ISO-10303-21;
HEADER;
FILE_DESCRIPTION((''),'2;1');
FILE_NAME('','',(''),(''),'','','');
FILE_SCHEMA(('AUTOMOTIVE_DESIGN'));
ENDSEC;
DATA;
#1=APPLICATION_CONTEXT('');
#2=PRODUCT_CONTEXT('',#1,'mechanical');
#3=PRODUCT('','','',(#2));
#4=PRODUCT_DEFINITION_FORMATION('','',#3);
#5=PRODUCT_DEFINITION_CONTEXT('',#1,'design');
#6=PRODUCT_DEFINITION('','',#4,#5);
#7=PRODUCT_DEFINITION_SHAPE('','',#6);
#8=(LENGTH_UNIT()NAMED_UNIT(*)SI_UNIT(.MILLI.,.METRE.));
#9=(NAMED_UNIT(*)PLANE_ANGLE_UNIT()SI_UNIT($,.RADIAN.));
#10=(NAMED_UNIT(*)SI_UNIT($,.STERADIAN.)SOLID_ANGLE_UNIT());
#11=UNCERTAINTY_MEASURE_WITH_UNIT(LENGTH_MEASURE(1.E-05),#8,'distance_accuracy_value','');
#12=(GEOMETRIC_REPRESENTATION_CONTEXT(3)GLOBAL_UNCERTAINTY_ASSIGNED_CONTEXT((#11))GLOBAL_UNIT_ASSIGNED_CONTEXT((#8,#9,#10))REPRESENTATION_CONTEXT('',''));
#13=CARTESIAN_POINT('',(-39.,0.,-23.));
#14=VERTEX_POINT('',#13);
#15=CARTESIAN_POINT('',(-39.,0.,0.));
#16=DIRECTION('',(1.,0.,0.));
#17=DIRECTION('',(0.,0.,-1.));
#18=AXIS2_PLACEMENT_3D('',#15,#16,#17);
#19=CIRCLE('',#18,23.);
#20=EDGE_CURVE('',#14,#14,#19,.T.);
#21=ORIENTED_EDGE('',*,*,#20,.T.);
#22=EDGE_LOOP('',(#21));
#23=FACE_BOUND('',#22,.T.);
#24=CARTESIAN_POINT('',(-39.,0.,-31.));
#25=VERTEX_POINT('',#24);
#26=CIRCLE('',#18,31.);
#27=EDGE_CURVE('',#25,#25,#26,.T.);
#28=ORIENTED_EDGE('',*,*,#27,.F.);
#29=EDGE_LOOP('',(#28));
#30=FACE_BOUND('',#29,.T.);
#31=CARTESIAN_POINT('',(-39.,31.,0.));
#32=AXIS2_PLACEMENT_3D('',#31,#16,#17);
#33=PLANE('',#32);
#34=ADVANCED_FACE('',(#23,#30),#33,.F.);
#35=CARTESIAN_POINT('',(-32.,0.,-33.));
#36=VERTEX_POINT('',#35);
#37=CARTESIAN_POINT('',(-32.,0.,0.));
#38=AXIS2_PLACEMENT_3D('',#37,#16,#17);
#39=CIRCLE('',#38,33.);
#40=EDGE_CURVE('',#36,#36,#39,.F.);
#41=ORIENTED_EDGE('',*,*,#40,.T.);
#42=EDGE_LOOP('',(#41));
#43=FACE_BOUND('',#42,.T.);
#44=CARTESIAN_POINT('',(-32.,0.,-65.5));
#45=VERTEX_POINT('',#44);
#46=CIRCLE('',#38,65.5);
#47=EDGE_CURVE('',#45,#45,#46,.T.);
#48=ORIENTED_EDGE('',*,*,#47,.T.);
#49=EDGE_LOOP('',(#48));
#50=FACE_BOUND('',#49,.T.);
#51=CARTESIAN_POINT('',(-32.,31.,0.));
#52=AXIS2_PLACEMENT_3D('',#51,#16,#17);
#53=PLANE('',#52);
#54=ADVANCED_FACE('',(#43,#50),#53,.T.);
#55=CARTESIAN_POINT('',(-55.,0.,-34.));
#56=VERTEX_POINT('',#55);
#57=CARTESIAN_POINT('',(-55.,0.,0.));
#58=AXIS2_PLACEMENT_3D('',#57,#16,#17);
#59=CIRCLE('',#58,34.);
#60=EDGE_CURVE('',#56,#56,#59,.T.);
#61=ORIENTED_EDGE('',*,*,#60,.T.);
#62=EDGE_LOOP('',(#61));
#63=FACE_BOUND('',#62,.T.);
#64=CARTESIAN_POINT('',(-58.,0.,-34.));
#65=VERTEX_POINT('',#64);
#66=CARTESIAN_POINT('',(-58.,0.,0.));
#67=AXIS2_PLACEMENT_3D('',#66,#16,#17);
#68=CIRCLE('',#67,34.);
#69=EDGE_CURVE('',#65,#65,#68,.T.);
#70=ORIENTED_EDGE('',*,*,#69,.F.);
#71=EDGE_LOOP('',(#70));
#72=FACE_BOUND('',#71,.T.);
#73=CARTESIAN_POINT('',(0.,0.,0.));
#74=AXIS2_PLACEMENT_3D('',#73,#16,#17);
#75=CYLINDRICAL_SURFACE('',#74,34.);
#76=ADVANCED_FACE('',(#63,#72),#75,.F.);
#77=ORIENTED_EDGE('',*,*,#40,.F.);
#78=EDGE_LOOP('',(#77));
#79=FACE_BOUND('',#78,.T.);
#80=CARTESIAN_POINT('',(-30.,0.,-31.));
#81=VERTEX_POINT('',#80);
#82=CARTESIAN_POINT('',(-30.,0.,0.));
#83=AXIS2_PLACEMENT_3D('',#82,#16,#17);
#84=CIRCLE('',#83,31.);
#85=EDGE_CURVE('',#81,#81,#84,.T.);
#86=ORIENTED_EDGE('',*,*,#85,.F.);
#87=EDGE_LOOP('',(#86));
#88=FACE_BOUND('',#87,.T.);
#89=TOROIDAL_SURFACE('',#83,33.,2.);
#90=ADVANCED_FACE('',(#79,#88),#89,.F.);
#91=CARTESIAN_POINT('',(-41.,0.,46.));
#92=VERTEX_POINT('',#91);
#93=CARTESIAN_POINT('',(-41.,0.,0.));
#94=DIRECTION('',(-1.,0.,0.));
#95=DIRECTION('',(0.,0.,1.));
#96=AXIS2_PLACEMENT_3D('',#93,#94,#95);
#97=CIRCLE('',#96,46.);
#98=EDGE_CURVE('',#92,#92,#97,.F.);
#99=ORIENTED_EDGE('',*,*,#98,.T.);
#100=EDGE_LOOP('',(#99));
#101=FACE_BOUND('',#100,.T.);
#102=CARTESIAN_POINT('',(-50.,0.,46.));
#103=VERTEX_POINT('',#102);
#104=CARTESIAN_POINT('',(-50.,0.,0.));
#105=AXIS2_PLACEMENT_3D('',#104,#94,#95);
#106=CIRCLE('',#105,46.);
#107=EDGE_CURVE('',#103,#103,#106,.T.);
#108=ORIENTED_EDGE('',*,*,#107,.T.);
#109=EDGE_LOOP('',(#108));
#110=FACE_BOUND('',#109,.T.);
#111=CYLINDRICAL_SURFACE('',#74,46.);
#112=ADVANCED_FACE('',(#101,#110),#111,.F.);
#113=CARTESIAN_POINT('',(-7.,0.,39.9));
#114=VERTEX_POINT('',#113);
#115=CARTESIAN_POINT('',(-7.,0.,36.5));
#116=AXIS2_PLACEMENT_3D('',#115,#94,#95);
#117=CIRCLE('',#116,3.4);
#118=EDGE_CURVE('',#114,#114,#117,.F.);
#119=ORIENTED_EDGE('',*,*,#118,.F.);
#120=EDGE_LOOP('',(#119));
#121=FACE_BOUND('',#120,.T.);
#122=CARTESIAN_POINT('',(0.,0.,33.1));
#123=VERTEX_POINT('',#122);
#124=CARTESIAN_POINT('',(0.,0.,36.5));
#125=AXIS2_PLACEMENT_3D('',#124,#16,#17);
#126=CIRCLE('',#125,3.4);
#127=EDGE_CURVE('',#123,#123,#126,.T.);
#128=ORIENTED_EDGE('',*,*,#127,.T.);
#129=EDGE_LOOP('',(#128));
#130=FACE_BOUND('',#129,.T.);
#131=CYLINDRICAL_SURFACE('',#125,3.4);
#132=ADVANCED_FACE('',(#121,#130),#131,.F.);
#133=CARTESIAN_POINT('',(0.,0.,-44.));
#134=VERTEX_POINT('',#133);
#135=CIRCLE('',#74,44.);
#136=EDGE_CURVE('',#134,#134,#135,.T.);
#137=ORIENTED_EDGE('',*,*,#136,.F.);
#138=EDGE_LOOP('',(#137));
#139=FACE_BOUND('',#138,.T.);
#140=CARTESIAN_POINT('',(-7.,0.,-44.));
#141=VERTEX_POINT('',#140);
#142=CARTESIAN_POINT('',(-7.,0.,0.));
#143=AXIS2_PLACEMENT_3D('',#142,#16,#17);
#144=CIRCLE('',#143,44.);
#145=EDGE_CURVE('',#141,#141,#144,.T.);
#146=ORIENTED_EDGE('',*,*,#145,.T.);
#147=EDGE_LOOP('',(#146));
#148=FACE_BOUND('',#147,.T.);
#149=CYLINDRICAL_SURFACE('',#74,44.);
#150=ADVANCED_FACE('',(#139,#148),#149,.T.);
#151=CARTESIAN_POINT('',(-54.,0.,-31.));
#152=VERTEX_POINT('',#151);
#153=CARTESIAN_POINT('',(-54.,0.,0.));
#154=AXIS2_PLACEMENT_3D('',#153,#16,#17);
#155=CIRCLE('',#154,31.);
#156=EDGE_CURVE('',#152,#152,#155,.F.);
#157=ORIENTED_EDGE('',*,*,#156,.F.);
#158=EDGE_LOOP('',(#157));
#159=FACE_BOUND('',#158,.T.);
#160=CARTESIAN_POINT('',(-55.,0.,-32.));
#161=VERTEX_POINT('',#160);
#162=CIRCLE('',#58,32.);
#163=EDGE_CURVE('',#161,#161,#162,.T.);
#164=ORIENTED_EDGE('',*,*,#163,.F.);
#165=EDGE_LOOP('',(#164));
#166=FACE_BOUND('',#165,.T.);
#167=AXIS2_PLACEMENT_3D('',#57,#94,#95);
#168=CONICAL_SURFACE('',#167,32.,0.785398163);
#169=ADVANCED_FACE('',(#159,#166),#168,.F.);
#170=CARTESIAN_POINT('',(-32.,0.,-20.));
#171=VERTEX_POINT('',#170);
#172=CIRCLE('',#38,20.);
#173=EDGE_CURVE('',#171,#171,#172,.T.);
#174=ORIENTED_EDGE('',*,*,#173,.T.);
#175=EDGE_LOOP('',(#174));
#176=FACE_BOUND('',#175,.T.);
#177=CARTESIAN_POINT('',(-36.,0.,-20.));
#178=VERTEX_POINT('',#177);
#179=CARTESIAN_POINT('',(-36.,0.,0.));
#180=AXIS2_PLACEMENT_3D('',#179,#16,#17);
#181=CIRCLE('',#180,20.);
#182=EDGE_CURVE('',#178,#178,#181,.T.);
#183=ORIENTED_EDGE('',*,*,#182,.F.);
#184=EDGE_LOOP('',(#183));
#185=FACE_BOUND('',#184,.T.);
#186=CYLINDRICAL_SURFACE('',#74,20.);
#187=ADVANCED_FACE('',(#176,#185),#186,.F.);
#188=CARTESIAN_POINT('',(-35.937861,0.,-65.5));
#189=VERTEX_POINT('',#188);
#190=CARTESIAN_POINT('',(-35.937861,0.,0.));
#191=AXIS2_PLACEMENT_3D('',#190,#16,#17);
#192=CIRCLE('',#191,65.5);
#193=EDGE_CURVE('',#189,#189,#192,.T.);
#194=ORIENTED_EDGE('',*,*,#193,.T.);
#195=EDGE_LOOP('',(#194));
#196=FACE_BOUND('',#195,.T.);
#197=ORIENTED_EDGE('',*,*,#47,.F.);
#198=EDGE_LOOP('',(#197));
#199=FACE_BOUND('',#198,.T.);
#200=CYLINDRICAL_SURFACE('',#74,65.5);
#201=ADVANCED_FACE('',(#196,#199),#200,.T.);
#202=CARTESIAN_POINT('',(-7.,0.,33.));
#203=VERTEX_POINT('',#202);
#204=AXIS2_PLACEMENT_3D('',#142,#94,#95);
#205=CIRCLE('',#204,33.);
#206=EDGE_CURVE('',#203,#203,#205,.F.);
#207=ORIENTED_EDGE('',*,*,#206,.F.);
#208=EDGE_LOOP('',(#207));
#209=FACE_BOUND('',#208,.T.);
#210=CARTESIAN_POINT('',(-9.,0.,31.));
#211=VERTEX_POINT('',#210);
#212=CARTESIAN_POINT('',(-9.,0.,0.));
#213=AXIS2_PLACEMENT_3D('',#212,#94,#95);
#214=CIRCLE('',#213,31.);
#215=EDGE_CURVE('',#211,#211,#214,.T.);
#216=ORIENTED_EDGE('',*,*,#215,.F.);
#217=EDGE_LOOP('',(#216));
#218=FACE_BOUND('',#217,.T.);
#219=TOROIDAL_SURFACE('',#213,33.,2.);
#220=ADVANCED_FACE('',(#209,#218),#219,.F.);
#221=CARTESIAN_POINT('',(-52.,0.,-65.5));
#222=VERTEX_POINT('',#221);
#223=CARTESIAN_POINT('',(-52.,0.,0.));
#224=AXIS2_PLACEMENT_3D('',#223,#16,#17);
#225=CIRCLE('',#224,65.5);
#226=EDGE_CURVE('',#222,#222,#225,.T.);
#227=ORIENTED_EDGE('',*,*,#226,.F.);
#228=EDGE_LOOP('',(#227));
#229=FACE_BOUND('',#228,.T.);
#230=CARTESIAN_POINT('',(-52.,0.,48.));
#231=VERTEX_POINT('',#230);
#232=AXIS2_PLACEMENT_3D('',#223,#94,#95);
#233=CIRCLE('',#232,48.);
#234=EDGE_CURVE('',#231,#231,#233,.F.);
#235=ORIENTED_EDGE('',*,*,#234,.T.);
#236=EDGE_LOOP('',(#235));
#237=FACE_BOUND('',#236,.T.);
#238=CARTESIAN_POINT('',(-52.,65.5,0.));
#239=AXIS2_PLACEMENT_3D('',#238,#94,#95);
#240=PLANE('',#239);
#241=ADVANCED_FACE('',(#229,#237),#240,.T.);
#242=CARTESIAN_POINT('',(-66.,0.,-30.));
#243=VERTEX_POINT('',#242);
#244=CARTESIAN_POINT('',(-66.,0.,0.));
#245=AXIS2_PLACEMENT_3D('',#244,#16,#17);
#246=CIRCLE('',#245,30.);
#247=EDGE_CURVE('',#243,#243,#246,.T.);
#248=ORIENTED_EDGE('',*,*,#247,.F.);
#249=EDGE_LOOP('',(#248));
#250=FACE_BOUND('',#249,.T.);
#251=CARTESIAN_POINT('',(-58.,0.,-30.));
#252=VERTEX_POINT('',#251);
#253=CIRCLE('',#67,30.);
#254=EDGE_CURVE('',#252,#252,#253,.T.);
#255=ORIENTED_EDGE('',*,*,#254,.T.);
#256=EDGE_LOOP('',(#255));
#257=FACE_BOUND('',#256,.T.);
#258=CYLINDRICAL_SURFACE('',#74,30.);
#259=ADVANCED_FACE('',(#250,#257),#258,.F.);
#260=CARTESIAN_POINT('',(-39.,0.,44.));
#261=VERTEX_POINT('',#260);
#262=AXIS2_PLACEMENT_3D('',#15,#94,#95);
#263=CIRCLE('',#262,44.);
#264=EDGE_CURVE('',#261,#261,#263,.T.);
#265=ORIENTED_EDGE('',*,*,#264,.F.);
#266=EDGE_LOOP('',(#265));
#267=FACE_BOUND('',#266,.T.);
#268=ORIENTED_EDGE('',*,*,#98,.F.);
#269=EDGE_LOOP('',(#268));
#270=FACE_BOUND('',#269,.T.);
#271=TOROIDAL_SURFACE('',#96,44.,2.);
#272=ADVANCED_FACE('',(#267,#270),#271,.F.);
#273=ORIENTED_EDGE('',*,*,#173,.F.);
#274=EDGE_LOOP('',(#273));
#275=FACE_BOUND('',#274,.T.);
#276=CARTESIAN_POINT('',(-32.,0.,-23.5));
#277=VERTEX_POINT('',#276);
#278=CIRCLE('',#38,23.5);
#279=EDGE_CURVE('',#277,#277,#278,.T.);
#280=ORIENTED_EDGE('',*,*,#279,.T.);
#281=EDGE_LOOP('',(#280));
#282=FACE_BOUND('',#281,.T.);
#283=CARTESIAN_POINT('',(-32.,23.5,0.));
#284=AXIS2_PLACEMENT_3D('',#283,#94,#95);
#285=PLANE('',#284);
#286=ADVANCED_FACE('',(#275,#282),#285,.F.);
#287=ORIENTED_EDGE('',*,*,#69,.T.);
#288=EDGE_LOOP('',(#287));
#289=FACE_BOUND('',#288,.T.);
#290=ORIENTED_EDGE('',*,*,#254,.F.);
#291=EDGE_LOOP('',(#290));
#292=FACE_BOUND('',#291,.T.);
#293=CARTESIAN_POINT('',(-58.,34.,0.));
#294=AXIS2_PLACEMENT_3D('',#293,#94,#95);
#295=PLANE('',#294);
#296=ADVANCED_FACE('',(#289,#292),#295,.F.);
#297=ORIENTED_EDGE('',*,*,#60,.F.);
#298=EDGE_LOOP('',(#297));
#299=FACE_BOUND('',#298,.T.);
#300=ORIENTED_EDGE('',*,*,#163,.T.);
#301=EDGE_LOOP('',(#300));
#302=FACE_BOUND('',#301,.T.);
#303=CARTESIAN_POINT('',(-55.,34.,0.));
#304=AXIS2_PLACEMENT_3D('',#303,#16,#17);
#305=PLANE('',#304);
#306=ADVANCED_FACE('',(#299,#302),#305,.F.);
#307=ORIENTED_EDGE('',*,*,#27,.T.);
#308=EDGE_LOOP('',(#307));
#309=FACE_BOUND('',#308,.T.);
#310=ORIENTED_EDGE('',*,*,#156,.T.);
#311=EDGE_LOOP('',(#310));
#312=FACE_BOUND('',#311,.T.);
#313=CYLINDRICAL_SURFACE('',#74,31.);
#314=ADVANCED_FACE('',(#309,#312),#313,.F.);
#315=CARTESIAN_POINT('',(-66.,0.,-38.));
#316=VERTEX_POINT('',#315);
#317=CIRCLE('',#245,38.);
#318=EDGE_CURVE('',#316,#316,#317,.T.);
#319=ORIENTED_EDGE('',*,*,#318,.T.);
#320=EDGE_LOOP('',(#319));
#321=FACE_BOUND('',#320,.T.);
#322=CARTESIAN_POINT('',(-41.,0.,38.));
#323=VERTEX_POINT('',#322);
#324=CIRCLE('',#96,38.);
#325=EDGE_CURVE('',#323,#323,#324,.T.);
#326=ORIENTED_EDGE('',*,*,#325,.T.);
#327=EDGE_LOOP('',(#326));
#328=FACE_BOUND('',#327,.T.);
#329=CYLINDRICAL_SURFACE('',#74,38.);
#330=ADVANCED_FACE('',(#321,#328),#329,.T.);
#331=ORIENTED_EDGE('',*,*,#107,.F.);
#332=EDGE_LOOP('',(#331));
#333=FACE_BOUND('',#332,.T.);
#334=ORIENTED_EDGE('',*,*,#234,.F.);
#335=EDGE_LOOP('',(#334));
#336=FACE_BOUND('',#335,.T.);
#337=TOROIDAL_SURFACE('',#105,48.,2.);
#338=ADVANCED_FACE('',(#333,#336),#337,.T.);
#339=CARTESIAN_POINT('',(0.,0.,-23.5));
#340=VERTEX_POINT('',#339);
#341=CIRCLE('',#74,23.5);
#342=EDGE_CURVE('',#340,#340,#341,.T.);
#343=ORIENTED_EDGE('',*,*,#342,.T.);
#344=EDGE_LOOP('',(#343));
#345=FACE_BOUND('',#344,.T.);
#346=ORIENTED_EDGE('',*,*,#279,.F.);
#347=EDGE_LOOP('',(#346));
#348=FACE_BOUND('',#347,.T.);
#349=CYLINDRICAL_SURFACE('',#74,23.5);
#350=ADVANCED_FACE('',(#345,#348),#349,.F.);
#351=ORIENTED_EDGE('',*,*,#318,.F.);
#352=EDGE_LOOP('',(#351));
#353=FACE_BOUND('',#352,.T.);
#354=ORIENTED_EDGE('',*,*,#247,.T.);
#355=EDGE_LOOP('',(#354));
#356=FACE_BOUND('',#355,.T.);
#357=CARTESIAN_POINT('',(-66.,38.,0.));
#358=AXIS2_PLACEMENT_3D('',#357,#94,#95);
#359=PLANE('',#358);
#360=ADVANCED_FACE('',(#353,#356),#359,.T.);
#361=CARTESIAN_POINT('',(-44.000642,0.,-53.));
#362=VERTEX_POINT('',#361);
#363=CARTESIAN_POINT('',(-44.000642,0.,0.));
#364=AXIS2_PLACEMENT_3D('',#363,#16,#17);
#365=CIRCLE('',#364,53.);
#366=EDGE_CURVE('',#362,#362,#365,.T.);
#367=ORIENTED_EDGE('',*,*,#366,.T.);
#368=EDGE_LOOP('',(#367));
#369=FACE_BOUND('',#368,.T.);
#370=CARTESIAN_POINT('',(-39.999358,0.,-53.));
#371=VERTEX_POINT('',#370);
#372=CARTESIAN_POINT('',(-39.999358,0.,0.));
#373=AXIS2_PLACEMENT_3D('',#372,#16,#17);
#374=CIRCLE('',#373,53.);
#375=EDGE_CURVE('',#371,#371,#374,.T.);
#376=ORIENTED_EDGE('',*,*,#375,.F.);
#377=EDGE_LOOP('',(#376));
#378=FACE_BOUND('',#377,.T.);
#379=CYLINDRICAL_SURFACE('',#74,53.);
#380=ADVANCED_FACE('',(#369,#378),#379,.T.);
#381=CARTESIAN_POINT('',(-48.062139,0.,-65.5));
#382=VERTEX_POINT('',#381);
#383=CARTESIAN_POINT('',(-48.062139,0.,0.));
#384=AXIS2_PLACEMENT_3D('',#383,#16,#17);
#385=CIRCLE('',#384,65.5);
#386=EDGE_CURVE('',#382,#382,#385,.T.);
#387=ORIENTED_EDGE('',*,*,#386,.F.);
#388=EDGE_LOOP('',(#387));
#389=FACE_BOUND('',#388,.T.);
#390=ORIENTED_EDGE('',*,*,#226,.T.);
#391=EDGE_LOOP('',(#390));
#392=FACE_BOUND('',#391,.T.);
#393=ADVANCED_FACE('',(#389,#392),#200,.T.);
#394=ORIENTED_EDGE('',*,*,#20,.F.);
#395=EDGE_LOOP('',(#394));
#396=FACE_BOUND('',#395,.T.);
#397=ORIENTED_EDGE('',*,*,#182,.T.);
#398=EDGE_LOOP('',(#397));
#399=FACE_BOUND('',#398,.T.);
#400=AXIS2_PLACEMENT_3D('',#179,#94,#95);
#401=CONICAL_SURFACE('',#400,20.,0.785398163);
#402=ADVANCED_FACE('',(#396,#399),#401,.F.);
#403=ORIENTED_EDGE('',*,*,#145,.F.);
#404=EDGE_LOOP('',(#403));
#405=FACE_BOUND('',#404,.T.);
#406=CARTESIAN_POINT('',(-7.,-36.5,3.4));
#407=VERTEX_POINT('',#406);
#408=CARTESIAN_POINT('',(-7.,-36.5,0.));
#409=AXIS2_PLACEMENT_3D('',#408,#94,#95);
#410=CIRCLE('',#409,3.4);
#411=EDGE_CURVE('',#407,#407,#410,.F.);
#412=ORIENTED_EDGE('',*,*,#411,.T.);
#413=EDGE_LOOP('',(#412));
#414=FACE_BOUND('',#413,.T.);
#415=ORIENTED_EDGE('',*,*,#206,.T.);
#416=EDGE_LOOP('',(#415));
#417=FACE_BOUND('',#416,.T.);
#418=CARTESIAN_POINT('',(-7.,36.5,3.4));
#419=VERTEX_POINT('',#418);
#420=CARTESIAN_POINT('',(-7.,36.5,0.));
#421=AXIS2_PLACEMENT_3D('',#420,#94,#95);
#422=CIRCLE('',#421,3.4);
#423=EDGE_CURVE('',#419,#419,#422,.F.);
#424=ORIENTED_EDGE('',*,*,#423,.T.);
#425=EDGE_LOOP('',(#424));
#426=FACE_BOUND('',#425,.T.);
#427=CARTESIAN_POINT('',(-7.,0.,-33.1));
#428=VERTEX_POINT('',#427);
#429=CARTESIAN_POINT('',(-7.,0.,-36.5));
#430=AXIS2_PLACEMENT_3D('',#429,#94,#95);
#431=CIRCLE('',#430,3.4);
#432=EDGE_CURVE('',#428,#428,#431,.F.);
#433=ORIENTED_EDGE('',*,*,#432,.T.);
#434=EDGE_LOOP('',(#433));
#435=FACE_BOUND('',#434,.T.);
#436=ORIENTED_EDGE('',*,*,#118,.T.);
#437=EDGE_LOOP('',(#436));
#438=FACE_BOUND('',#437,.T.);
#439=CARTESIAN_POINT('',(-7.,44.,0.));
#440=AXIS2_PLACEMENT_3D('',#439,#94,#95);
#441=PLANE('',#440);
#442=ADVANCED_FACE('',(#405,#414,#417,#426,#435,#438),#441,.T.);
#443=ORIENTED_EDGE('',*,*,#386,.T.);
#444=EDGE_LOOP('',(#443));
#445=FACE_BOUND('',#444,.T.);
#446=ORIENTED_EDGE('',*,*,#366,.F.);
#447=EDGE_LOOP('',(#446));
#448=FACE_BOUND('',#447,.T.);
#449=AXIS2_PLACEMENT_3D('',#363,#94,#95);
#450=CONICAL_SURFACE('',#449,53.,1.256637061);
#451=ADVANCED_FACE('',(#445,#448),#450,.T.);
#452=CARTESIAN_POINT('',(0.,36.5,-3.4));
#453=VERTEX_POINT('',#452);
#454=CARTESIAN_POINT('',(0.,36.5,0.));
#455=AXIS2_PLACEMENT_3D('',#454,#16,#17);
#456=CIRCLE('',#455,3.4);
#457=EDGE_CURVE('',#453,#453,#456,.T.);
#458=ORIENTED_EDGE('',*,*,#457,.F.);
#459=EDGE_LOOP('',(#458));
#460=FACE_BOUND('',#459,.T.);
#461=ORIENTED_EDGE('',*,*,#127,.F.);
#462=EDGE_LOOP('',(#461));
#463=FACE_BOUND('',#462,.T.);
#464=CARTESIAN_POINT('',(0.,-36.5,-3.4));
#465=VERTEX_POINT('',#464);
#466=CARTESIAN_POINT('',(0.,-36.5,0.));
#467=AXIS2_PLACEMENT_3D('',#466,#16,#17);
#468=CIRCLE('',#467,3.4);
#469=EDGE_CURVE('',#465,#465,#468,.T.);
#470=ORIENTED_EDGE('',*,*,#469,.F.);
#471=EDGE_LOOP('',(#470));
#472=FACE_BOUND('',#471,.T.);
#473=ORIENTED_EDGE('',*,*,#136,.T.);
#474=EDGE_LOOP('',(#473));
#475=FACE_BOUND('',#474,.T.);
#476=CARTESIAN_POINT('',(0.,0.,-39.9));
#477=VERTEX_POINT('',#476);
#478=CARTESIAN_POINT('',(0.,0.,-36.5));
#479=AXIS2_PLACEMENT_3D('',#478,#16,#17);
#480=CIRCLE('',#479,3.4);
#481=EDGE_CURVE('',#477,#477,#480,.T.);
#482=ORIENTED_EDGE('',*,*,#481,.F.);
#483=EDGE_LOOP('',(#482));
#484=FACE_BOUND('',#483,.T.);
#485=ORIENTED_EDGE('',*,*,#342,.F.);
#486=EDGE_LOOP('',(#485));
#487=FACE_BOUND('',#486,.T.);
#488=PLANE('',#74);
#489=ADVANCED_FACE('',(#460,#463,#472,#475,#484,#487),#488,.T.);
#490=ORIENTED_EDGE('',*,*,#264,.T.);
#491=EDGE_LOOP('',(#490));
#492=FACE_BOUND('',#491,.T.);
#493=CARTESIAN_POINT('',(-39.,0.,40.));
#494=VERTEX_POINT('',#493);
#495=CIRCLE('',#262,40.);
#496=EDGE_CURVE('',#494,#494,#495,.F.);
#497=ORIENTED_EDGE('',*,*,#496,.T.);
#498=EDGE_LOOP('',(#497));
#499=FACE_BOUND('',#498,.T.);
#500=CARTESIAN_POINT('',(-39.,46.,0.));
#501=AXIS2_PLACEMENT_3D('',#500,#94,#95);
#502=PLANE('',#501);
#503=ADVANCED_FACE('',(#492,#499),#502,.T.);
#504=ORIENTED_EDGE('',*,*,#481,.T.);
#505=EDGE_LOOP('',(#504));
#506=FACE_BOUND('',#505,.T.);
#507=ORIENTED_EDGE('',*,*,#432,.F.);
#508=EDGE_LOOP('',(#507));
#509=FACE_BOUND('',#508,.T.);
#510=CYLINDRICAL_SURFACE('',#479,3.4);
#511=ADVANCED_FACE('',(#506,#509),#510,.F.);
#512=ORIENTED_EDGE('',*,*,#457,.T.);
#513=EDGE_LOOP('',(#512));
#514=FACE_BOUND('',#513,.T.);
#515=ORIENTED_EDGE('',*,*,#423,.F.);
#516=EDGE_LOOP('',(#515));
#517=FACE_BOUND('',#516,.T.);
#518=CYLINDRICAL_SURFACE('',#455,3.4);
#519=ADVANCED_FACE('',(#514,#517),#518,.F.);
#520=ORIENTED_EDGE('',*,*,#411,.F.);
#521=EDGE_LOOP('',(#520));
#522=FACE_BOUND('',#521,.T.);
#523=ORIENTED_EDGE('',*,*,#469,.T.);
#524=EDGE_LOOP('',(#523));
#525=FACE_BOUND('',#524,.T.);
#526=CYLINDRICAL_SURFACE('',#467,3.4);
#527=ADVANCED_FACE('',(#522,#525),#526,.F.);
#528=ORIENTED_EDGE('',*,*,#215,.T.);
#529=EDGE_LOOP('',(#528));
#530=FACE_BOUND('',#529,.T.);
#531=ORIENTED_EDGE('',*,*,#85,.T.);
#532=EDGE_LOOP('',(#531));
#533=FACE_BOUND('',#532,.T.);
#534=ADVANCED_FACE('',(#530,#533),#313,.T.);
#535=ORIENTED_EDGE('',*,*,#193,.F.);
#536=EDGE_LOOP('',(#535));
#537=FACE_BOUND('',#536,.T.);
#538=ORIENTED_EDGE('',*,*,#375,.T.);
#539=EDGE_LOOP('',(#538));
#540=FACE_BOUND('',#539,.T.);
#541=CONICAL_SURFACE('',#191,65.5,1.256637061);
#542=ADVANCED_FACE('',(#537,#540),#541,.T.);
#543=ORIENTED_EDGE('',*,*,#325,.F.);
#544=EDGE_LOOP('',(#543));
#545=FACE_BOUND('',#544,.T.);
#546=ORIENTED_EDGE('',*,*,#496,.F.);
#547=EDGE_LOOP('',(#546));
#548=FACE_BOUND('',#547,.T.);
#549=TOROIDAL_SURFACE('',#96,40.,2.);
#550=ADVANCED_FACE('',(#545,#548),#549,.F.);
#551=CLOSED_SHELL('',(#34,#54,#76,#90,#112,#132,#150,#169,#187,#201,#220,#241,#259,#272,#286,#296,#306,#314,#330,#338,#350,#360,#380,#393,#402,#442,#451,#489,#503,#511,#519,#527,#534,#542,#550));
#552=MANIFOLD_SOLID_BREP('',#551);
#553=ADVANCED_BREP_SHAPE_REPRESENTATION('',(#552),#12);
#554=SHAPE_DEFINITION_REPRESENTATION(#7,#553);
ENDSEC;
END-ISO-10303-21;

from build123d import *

# Parameters (mm, degrees)
CHAMFER1_SIZE     = 1
FILLET1_R         = 2
CIRPATTERN1_COUNT = 4


with BuildPart() as part:
    # Sketch1 → Revolve1 (revolve)
    with BuildSketch(Plane.XY, mode=Mode.PRIVATE) as revolve1_sk:
        Polygon((0, 0), (0, 44), (-7, 44), (-7, 31), (-32, 31), (-32, 65.5), (-35.937861367, 65.5), (-39.99935757, 53), (-44.00064243, 53), (-48.062138633, 65.5), (-52, 65.5), (-52, 46), (-39, 46), (-39, 38), (-66, 38), (-66, 0), align=None)
    revolve(revolve1_sk.sketch.rotate(Axis((0, 0, 0), (-1, 0, 0)), 90), axis=Axis((0, 0, 0), (-1, 0, 0)))

    # Sketch2 → Cut-Revolve1 (revolve, cut)
    with BuildSketch(Plane.XY, mode=Mode.PRIVATE) as cut_revolve1_sk:
        Polygon((0, 0), (0, 23.5), (-32, 23.5), (-32, 20), (-36, 20), (-39, 23), (-39, 31), (-55, 31), (-55, 34), (-58, 34), (-58, 30), (-66, 30), (-66, 0), align=None)
    revolve(cut_revolve1_sk.sketch.rotate(Axis((0, 0, 0), (-1, 0, 0)), 90), axis=Axis((0, 0, 0), (-1, 0, 0)), mode=Mode.SUBTRACT)

    # Chamfer1
    chamfer1_edges = [part.edges().sort_by_distance(p)[0] for p in [
        (-55, 0, 31),
    ]]
    chamfer(chamfer1_edges, length=CHAMFER1_SIZE)

    # Fillet1
    fillet1_edges = [part.edges().sort_by_distance(p)[0] for p in [
        (-39, 0, 38),
        (-39, 0, 46),
        (-52, 0, 46),
        (-32, 0, 31),
        (-7, 0, 31),
    ]]
    fillet(fillet1_edges, radius=FILLET1_R)

    # Sketch4 → M8 Tapped Hole1 (revolve, cut)
    with BuildSketch(Plane(origin=(0, 36.5, 0), x_dir=(0, 0, -1), z_dir=(0, 1, 0))):
        Polygon((0, 0), (0, 9.042926105), (3.4, 7), (3.4, 0), align=None)
    m8_tapped_hole1 = revolve(axis=Axis((6.35, 36.5, 0), (-1, 0, 0)), mode=Mode.SUBTRACT)

    # CirPattern1: M8 Tapped Hole1 ×4 about axis
    cirpattern1_axis = Axis((0, 0, 0), (1, 0, 0))
    for i in range(1, CIRPATTERN1_COUNT):
        add(m8_tapped_hole1.rotate(cirpattern1_axis, i * 360 / CIRPATTERN1_COUNT), mode=Mode.SUBTRACT)


solid = part.part
